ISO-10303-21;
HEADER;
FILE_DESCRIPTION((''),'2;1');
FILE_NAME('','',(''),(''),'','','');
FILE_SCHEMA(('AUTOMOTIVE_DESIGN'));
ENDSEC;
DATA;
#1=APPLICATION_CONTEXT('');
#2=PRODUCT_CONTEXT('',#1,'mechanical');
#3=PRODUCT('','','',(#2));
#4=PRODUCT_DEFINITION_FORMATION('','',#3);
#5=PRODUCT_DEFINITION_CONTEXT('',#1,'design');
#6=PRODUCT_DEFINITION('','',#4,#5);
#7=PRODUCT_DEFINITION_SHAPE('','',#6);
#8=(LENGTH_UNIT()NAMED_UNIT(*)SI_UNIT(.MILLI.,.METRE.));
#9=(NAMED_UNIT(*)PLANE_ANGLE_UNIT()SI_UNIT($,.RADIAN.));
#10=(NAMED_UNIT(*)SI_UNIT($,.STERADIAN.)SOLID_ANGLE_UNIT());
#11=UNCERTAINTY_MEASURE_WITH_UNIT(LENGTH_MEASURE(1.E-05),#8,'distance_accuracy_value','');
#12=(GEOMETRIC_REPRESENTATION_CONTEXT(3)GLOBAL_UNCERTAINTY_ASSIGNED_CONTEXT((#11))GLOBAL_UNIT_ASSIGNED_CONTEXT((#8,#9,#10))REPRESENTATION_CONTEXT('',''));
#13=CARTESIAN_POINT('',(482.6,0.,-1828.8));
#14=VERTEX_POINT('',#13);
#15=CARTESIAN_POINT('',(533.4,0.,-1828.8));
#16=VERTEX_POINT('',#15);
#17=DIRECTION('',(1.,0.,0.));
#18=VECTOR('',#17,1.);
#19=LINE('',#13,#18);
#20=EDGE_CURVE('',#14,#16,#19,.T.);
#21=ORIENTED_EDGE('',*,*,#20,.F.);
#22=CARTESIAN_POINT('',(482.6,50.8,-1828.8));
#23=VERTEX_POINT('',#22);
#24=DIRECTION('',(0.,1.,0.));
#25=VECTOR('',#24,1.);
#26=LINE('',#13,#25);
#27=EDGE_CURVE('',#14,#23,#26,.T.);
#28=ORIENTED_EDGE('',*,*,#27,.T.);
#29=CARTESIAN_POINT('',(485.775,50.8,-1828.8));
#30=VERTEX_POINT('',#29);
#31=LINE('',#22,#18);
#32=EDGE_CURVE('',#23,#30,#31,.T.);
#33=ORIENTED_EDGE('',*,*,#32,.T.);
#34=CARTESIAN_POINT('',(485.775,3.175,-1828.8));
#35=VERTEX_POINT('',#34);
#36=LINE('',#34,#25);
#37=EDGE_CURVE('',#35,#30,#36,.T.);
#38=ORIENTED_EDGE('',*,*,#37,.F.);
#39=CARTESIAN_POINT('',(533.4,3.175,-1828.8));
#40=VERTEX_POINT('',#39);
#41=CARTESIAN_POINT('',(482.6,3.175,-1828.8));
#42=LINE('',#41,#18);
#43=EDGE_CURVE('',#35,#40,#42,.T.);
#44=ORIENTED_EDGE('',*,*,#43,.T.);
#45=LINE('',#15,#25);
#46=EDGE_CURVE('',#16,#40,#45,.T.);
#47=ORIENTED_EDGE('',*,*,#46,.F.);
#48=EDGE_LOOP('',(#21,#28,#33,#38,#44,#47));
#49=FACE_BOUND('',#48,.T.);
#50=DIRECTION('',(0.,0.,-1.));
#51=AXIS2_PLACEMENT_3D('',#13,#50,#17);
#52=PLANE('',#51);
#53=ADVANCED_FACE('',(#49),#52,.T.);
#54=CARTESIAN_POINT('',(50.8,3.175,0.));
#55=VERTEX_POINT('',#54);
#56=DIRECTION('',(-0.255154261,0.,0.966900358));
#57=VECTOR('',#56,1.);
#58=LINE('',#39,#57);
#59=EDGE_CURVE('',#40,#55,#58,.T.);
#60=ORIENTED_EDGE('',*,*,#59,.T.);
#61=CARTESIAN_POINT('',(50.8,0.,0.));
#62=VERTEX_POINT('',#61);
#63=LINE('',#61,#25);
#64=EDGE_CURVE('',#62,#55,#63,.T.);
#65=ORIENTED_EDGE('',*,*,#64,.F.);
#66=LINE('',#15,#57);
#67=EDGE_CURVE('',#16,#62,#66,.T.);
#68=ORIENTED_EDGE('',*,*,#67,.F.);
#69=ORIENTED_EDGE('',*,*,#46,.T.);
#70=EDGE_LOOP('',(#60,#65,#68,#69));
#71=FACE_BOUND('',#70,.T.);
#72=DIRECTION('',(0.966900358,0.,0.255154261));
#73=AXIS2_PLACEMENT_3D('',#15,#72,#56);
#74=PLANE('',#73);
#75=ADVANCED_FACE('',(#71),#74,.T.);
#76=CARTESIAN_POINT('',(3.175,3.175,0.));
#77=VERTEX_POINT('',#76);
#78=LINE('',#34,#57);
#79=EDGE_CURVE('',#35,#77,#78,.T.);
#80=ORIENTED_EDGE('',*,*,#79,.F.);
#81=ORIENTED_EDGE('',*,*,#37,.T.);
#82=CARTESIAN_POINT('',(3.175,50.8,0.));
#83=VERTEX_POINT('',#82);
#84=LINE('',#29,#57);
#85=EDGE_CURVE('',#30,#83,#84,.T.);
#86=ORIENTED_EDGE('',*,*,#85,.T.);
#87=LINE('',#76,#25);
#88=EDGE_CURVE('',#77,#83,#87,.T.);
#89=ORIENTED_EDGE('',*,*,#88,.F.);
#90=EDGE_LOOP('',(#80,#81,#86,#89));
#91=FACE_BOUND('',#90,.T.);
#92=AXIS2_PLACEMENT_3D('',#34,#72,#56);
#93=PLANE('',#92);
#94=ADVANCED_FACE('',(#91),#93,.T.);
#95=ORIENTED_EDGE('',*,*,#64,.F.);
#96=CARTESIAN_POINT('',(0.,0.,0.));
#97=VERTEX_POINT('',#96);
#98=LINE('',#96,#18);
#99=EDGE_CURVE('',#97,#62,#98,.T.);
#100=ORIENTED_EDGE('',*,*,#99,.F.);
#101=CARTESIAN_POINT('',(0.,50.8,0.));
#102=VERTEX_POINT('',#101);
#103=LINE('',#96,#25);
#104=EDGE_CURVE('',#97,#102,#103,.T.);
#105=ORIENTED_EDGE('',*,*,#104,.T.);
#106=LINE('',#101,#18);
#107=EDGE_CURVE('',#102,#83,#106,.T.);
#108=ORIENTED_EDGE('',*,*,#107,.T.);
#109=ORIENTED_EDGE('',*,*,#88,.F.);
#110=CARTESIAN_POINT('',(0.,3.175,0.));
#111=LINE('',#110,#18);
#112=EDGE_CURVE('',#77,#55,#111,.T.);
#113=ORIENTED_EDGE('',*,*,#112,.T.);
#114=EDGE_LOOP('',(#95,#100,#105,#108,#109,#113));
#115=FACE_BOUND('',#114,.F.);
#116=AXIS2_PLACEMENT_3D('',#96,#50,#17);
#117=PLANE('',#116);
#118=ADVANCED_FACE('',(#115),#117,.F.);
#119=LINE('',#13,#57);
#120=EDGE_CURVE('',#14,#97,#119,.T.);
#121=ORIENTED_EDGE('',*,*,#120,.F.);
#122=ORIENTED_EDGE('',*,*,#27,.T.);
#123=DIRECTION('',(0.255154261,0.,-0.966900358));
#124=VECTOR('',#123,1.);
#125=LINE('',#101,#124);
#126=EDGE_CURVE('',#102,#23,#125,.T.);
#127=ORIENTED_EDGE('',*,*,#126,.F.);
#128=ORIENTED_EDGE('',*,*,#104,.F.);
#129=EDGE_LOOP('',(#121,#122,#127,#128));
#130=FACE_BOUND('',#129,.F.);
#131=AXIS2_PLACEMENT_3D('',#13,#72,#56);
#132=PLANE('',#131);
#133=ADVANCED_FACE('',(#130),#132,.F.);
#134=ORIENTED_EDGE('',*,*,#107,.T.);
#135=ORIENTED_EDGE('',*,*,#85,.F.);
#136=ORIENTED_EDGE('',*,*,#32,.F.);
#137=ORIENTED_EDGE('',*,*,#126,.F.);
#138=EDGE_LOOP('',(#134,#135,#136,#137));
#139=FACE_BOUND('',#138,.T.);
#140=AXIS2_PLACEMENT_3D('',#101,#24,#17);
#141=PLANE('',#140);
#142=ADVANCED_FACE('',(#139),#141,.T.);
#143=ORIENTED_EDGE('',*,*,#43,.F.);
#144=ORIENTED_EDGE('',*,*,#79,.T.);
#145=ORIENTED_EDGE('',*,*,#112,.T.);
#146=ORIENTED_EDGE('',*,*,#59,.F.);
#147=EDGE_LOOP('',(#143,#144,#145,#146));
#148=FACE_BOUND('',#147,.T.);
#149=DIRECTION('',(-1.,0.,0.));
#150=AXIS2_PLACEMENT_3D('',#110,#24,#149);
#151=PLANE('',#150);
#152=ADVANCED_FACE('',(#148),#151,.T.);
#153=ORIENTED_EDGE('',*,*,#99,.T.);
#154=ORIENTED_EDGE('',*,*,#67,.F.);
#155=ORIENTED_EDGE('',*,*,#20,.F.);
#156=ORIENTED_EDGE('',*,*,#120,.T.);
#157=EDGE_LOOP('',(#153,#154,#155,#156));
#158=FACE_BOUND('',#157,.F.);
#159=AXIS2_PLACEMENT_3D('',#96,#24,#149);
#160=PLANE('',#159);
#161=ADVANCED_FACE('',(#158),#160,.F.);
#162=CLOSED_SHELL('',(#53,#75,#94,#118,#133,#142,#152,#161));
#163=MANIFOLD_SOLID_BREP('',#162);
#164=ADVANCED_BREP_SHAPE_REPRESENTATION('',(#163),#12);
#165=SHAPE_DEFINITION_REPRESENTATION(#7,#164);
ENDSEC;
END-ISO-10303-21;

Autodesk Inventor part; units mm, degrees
ref_plane "YZ Plane" through (0, 0, 0) normal (1, 0, 0) x (0, 1, 0)
ref_plane "XZ Plane" through (0, 0, 0) normal (0, 1, 0) x (-1, 0, 0)
ref_plane "XY Plane" through (0, 0, 0) normal (0, 0, 1) x (1, 0, 0)
sketch "Sketch1" plane through (0, 0, 0) normal (0, 1, 0) x (-1, 0, 0)
  line L0 (0, 0) -> (1893.3131, 0) construction
  line L1 (0, 0) -> (1149.4728, 0) construction
  line L2 (-482.6, -1828.8) -> (0, 0)
  line L3 (0, 0) -> (-50.8, 0)
  line L4 (-482.6, -1828.8) -> (-533.4, -1828.8)
  line L5 (-533.4, -1828.8) -> (-50.8, 0)
extrude "Extrusion1" add sketch "Sketch1" along normal blind 3.175
sketch "Sketch2" plane through (0, 3.175, 0) normal (0, 1, 0) x (1, 0, 0)
  line L0 (0, 0) -> (3.175, 0)
  line L1 (0, 0) -> (50.8, 0) projected
  line L2 (0, 0) -> (482.6, 1828.8)
  line L3 (482.6, 1828.8) -> (0, 0) projected
  line L4 (482.6, 1828.8) -> (485.775, 1828.8)
  line L5 (533.4, 1828.8) -> (482.6, 1828.8) projected
  line L6 (485.775, 1828.8) -> (3.175, 0)
  dimension "d9" = 3.175
  dimension "d10" = 3.175
extrude "Extrusion2" add sketch "Sketch2" along normal blind 47.625
properties part number "Front Right Beam"
